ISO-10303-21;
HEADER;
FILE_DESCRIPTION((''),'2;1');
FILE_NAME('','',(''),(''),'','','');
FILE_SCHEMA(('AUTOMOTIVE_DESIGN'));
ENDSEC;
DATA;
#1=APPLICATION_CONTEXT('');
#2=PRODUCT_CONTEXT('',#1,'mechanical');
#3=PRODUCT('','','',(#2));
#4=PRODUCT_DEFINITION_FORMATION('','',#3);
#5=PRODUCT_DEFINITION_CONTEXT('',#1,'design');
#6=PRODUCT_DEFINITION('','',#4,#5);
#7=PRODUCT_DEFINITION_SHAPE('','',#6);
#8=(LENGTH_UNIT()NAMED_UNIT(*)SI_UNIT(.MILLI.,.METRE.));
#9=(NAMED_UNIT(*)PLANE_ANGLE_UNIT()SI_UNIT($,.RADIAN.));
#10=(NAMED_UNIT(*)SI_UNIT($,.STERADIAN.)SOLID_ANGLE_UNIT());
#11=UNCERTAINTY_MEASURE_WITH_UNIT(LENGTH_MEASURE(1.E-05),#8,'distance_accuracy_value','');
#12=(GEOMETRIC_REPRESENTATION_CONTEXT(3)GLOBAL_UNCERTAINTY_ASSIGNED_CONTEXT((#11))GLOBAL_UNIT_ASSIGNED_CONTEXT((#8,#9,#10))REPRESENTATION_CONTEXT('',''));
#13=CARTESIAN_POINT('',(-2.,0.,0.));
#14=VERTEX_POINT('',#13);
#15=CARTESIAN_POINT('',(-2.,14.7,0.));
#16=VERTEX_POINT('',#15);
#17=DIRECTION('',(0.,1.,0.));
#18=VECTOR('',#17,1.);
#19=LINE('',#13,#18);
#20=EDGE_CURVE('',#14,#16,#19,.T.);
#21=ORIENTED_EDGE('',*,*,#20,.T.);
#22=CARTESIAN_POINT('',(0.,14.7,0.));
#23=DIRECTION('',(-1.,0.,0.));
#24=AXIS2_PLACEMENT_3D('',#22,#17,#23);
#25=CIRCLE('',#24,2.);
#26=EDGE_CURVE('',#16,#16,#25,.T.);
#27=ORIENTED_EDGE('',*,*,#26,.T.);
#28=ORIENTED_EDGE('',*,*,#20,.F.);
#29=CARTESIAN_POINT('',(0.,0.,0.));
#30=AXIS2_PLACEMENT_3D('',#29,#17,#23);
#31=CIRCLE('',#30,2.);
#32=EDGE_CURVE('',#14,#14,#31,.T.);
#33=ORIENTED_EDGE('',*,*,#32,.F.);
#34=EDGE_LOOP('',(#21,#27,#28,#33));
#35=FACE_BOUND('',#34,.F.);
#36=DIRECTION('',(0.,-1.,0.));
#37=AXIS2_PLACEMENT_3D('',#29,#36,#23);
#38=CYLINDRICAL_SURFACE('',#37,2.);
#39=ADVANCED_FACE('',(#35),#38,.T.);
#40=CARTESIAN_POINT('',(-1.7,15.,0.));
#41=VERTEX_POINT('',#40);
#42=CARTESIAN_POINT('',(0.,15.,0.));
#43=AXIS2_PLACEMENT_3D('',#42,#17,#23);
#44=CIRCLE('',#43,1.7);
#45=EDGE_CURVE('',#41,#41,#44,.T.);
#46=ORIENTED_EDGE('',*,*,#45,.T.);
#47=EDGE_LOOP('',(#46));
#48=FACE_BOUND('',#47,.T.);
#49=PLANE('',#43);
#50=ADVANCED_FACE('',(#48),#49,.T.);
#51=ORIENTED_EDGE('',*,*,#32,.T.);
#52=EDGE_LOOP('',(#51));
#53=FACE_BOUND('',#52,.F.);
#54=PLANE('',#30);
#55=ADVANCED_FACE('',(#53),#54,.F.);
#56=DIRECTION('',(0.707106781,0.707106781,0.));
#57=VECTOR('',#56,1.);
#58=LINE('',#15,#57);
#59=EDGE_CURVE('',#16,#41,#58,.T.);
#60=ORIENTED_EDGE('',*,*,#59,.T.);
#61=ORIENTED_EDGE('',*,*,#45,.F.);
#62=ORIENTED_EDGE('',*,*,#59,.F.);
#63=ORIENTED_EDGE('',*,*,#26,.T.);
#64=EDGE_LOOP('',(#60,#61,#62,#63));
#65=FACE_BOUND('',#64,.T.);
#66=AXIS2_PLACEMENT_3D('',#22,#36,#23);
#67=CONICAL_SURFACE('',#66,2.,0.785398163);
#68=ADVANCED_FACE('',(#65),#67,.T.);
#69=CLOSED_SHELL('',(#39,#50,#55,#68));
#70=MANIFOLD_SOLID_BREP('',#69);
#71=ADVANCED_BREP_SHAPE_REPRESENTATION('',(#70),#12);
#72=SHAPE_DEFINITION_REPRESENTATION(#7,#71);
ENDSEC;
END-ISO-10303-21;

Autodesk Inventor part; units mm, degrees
ref_plane "YZ Plane" through (0, 0, 0) normal (1, 0, 0) x (0, 1, 0)
ref_plane "XZ Plane" through (0, 0, 0) normal (0, 1, 0) x (-1, 0, 0)
ref_plane "XY Plane" through (0, 0, 0) normal (0, 0, 1) x (1, 0, 0)
sketch "Sketch1" plane through (0, 0, 0) normal (0, 1, 0) x (-1, 0, 0)
  circle A0 centre (0, 0) radius 2
  dimension "d0" = 4
extrude "Extrusion1" add sketch "Sketch1" along normal blind 15
chamfer "Chamfer1" distance 0.3 angle 45 1 edges at (2, 15, 0)
thread "Thread1" size "M4x0.7" class "6g" standard "ANSI Metric M Profile" full length
properties part number "m4 15 headless" material "Steel"
